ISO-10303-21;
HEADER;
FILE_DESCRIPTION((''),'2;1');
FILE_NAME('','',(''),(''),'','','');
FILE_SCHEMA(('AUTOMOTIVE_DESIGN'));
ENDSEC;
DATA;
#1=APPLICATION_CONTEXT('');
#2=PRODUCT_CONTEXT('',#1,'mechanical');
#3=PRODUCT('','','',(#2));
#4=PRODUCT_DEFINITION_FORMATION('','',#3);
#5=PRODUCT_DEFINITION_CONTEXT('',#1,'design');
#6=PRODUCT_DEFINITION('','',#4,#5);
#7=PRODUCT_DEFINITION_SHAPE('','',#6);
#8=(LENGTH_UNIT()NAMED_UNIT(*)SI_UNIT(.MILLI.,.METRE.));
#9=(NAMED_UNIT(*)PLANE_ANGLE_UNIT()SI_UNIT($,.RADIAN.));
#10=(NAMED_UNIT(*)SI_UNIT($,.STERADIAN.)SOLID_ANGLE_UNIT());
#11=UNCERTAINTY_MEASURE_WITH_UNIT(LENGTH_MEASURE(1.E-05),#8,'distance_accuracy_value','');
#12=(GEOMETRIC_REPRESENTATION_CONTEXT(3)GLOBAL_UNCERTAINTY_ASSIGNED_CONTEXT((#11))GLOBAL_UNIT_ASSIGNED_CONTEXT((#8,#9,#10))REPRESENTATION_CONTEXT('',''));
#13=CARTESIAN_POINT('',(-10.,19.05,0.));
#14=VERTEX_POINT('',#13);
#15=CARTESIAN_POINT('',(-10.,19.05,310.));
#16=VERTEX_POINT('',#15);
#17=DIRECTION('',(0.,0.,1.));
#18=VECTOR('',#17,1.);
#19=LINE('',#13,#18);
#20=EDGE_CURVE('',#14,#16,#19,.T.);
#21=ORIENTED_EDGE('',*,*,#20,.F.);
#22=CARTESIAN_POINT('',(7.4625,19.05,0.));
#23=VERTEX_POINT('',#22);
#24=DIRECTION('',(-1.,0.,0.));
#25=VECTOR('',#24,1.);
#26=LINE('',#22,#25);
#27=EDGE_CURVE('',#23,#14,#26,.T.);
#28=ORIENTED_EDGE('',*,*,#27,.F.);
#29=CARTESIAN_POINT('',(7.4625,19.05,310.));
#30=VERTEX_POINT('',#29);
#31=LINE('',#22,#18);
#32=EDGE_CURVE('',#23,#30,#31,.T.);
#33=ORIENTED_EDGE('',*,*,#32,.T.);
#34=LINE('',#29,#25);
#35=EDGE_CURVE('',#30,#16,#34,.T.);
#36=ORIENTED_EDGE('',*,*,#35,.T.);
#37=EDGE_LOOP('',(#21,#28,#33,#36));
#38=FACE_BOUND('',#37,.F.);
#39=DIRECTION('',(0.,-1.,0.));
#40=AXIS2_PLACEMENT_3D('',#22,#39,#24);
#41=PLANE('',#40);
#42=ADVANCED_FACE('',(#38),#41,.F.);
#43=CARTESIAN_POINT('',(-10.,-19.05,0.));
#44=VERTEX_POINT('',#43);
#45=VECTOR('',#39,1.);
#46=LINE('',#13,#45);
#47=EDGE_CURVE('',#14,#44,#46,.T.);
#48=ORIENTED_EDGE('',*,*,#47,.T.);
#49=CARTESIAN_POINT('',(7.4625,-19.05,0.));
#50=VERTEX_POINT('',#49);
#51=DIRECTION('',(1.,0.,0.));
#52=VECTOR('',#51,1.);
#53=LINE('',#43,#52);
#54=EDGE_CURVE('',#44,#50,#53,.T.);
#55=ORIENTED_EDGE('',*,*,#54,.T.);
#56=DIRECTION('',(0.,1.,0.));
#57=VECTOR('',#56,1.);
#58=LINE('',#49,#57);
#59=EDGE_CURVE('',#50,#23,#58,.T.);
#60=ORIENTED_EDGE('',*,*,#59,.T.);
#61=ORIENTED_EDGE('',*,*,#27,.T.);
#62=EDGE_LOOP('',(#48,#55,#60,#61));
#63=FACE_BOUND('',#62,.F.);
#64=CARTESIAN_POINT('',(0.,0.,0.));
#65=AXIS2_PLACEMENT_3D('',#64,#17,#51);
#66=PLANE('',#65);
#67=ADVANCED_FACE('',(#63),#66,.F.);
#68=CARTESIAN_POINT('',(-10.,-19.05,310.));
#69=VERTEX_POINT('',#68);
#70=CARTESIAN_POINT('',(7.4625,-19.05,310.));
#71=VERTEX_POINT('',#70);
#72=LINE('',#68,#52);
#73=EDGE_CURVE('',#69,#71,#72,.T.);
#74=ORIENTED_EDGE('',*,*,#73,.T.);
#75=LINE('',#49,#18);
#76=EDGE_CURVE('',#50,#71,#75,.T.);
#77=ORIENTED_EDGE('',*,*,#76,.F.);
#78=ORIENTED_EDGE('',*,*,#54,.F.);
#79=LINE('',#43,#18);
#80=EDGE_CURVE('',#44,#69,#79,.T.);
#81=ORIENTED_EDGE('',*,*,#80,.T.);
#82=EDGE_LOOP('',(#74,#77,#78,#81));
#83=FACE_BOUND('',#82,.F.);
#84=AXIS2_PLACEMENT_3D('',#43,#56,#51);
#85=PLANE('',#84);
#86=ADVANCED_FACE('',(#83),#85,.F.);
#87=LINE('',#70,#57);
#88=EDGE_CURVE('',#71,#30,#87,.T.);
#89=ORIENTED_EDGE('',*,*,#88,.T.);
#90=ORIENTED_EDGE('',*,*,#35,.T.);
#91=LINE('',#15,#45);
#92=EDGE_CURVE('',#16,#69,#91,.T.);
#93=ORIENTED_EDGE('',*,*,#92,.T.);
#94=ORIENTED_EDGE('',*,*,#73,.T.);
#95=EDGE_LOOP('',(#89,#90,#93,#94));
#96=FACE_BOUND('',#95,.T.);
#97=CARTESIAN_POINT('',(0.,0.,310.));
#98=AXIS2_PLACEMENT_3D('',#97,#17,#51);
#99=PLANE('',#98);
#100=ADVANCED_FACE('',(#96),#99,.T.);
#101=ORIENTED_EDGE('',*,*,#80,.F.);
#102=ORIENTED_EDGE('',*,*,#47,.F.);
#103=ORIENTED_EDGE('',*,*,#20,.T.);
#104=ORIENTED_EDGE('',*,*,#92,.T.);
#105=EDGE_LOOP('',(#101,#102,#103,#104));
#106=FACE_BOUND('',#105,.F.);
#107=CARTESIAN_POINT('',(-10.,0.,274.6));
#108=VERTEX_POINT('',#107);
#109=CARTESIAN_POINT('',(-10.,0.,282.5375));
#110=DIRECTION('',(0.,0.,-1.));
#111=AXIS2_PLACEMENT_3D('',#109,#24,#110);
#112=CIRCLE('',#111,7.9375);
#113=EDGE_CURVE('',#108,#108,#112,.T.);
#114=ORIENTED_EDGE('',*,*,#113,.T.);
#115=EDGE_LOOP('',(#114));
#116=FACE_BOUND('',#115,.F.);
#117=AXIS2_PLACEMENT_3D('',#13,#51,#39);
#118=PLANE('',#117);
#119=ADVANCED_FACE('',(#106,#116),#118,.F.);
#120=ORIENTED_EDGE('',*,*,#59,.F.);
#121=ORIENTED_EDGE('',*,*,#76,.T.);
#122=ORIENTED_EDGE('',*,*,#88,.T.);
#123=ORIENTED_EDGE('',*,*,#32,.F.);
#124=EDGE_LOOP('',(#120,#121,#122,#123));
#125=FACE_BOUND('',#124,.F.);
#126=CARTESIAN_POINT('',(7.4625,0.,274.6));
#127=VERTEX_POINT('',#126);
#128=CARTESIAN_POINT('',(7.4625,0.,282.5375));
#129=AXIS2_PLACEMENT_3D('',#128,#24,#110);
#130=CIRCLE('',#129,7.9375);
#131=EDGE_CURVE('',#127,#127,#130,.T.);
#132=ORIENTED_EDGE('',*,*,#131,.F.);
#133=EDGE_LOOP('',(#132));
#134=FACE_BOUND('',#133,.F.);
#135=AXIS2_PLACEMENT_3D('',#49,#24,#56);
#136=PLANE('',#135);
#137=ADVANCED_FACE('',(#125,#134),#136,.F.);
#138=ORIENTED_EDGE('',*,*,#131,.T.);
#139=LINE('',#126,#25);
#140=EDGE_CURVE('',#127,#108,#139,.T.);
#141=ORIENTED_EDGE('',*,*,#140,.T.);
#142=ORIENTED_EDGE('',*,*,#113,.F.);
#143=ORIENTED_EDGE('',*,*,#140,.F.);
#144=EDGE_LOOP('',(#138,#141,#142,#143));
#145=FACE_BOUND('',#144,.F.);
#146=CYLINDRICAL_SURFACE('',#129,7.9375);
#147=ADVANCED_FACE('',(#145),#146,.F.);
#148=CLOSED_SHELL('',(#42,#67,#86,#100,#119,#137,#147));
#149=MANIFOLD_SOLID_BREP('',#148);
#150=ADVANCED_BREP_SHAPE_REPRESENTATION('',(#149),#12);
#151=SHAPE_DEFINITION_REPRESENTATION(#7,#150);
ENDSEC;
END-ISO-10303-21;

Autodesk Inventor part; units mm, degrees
ref_plane "YZ Plane" through (0, 0, 0) normal (1, 0, 0) x (0, 1, 0)
ref_plane "XZ Plane" through (0, 0, 0) normal (0, 1, 0) x (-1, 0, 0)
ref_plane "XY Plane" through (0, 0, 0) normal (0, 0, 1) x (1, 0, 0)
sketch "Sketch1" plane through (0, 0, 0) normal (0, 0, 1) x (1, 0, 0)
  line L0 (7.4625, 19.05) -> (-10, 19.05)
  line L1 (-10, 19.05) -> (-10, -19.05)
  line L2 (-10, -19.05) -> (7.4625, -19.05)
  line L3 (7.4625, -19.05) -> (7.4625, 19.05)
  line L4 (-10, 135) -> (-10, -135) construction
  line L5 (0, -189) -> (0, 189) construction
  line L6 (-13.4925, 0) -> (10.955, 0) construction
  line L7 (7.4625, 19.05) -> (7.4625, 114.8156) construction
  line L8 (-10, 19.05) -> (7.4625, -19.05) construction
  line L9 (7.4625, 19.05) -> (-10, -19.05) construction
  point P0 (0, 0)
  point P1 (-1.2688, 0)
  dimension "d10" = 38.1
extrude "Extrusion1" add sketch "Sketch1" along normal blind 310
sketch "Sketch2" plane through (7.4625, -19.05, 0) normal (1, 0, 0) x (0, 0, -1)
  line L0 (17.4625, 154.05) -> (17.4625, -115.95) construction
  line L1 (-310, 0) -> (-310, 38.1) construction
  point P0 (0, 19.05)
  point P1 (-282.5375, 19.05)
  point P2 (-310, 19.05)
  dimension "d2" = 300
hole "Hole1" at (7.4625, 0, 282.5375) direction (-1, 0, 0) diameter 15.875 end through all
sketch "Sketch3" plane through (-10, -19.05, 0) normal (-1, 0, 0) x (0, 0, 1)
  line L0 (310, 38.1) -> (310, 0) projected
  line L1 (0, 38.1) -> (0, 0) projected
  point P0 (0, 19.05)
  dimension "d11" = 310
properties part number "BaseUpper" material "Wood (Walnut)"
